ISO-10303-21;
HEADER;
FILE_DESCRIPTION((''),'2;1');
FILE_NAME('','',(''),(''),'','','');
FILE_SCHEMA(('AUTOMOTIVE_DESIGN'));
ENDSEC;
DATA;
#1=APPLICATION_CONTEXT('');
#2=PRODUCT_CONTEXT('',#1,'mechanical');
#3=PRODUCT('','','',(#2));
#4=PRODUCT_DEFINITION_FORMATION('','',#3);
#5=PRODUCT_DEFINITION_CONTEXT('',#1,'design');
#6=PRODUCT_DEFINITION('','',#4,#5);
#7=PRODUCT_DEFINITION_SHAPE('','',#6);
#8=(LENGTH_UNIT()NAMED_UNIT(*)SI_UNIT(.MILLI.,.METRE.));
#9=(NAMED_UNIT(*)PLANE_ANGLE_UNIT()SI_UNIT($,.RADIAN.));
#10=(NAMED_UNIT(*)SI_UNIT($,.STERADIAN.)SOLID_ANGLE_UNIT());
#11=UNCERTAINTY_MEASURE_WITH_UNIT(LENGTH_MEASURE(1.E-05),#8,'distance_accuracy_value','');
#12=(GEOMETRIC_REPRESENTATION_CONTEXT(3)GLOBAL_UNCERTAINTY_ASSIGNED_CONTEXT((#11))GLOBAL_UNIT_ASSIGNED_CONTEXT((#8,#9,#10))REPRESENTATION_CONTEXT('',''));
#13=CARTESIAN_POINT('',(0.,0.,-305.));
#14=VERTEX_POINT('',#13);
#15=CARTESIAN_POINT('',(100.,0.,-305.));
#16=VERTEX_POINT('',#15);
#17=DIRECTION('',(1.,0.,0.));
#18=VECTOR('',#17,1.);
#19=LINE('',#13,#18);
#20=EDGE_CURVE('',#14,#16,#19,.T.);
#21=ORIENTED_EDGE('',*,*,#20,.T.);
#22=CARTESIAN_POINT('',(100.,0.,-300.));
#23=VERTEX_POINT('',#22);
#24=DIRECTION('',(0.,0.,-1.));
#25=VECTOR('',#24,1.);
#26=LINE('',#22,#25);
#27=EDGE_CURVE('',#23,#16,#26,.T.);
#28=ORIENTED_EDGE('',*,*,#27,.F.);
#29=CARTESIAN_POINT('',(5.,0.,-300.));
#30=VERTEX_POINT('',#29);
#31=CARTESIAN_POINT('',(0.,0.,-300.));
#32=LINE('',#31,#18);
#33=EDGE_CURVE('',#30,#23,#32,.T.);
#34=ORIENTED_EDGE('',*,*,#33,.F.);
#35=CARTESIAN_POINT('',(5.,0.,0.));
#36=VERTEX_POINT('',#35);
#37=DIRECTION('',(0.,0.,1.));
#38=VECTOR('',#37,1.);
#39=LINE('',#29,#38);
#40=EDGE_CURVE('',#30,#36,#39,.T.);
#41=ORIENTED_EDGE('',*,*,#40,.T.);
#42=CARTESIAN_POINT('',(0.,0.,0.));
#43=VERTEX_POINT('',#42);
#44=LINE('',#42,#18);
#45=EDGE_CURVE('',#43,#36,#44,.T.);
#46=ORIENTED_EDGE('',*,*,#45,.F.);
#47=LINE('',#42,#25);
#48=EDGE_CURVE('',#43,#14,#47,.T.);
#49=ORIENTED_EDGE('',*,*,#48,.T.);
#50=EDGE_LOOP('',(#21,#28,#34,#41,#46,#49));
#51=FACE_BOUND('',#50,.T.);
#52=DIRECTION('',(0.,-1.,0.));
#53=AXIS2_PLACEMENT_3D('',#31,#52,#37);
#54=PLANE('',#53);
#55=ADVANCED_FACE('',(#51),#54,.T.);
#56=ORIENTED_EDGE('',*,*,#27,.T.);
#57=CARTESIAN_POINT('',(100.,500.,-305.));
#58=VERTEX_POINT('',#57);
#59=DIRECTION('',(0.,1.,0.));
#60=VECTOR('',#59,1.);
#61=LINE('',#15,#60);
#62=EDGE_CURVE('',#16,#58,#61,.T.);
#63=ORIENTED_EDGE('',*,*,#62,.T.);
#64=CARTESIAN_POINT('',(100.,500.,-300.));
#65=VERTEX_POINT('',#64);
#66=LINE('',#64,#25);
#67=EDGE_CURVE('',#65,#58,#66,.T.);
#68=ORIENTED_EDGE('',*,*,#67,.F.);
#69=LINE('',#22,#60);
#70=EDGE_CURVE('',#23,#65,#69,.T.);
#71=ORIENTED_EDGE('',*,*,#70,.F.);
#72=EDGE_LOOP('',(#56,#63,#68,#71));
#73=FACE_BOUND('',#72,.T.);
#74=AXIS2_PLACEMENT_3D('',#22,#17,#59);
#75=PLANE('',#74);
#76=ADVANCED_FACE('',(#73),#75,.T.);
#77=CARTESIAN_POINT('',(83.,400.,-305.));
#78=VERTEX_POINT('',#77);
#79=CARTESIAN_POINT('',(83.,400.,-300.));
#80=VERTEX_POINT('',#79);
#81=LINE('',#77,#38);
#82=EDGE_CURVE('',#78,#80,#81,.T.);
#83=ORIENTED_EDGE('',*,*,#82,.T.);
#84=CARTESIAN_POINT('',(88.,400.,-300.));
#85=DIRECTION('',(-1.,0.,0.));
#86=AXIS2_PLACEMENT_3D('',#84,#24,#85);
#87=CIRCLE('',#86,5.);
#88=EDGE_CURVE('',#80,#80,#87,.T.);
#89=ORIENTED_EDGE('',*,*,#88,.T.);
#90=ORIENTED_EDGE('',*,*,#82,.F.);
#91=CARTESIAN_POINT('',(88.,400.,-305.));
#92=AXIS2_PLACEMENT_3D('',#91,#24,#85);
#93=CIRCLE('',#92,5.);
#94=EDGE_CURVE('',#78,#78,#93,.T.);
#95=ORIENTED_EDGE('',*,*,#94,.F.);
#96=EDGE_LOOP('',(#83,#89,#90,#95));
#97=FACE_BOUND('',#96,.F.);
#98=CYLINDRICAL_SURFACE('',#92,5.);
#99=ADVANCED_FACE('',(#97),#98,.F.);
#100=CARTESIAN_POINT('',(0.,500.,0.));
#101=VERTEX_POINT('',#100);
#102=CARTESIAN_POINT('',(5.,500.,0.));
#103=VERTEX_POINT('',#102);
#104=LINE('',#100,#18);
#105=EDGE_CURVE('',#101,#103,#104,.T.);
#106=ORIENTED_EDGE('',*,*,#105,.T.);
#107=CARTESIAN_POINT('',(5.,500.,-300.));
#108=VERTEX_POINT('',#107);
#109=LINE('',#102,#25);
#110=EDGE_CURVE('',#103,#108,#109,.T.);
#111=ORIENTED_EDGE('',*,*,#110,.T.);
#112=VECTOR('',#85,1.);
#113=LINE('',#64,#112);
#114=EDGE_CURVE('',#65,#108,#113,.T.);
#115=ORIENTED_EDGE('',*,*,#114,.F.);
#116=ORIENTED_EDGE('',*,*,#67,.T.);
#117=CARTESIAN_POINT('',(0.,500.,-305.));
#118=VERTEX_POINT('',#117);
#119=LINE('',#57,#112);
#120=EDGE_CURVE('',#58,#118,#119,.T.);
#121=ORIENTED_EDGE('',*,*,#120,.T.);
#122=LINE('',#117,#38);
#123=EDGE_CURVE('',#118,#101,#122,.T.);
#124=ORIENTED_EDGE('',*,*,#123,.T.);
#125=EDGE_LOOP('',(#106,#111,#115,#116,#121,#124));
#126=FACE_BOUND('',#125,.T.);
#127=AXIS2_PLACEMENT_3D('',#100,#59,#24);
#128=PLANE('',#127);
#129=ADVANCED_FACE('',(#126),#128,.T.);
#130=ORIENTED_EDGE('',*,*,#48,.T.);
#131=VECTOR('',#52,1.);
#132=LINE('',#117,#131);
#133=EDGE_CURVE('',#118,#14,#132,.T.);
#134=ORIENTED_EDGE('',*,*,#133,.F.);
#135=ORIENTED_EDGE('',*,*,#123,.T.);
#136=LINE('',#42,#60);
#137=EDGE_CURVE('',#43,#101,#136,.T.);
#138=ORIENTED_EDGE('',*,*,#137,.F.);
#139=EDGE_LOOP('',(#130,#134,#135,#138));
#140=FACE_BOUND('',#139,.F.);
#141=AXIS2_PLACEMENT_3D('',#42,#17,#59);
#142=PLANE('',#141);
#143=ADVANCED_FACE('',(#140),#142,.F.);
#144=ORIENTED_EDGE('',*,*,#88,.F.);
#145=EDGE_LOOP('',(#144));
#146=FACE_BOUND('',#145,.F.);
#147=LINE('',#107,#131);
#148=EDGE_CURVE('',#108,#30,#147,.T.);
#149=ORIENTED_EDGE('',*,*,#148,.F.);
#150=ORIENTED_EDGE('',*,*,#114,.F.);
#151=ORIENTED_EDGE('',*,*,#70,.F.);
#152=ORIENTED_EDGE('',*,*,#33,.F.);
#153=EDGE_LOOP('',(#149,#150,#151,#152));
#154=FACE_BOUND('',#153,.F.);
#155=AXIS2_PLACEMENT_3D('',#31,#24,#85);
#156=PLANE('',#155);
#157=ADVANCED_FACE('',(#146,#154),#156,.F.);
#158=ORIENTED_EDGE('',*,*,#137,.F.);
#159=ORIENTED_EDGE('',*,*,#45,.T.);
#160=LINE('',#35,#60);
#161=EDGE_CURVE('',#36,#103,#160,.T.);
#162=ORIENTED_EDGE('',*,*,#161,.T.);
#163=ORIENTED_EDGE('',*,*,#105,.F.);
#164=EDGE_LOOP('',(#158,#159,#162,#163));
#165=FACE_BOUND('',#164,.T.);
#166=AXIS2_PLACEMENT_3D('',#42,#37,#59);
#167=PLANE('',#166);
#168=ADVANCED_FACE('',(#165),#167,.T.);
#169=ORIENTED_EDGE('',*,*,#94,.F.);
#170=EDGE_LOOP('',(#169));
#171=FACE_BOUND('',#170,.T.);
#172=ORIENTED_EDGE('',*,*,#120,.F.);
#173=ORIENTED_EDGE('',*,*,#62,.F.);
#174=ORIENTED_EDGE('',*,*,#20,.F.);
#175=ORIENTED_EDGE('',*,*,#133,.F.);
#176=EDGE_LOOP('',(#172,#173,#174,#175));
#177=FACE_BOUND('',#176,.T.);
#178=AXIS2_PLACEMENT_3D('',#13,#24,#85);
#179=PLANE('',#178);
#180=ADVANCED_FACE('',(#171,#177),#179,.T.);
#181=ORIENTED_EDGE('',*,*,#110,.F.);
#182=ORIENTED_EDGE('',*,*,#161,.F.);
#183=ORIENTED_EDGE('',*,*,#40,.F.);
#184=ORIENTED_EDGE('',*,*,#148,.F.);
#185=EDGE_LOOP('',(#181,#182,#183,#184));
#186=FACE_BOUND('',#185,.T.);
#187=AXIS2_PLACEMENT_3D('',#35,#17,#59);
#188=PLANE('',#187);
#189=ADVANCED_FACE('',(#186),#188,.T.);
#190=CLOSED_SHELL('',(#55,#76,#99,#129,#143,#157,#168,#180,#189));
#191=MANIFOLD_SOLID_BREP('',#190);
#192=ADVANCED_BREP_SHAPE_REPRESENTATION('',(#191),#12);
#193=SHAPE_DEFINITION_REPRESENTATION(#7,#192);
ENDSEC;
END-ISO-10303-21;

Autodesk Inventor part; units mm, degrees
ref_plane "YZ Plane" through (0, 0, 0) normal (1, 0, 0) x (0, 1, 0)
ref_plane "XZ Plane" through (0, 0, 0) normal (0, 1, 0) x (-1, 0, 0)
ref_plane "XY Plane" through (0, 0, 0) normal (0, 0, 1) x (1, 0, 0)
sketch "Sketch1" plane through (0, 0, 0) normal (1, 0, 0) x (0, 1, 0)
  line L0 (0, 0) -> (500, 0)
  line L1 (500, 0) -> (500, -300)
  line L2 (500, -300) -> (0, -300)
  line L3 (0, -300) -> (0, 0)
  dimension "d0" = 300
  dimension "d1" = 500
extrude "Extrusion1" add sketch "Sketch1" along normal blind 5
sketch "Sketch2" plane through (0, 0, -300) normal (0, 0, -1) x (-1, 0, 0)
  line L0 (0, 0) -> (-100, 0)
  line L1 (-100, 0) -> (-100, 500)
  line L2 (-100, 500) -> (0, 500)
  line L3 (0, 500) -> (0, 0)
  point P0 (-50, 0)
  dimension "d4" = 100
  dimension "d5" = 500
extrude "Extrusion2" add sketch "Sketch2" along normal blind 5
sketch "Sketch3" plane through (0, 0, -305) normal (0, 0, -1) x (-1, 0, 0)
  circle A0 centre (-88, 400) radius 5
  line L0 (-100, 500) -> (-100, 0) projected
  line L1 (0, 500) -> (-100, 500) projected
  point P0 (0, 0)
  dimension "d8" = 10
  dimension "d9" = 12
  dimension "d10" = 100
extrude "Extrusion3" cut sketch "Sketch3" against normal blind 5
properties part number "door"
